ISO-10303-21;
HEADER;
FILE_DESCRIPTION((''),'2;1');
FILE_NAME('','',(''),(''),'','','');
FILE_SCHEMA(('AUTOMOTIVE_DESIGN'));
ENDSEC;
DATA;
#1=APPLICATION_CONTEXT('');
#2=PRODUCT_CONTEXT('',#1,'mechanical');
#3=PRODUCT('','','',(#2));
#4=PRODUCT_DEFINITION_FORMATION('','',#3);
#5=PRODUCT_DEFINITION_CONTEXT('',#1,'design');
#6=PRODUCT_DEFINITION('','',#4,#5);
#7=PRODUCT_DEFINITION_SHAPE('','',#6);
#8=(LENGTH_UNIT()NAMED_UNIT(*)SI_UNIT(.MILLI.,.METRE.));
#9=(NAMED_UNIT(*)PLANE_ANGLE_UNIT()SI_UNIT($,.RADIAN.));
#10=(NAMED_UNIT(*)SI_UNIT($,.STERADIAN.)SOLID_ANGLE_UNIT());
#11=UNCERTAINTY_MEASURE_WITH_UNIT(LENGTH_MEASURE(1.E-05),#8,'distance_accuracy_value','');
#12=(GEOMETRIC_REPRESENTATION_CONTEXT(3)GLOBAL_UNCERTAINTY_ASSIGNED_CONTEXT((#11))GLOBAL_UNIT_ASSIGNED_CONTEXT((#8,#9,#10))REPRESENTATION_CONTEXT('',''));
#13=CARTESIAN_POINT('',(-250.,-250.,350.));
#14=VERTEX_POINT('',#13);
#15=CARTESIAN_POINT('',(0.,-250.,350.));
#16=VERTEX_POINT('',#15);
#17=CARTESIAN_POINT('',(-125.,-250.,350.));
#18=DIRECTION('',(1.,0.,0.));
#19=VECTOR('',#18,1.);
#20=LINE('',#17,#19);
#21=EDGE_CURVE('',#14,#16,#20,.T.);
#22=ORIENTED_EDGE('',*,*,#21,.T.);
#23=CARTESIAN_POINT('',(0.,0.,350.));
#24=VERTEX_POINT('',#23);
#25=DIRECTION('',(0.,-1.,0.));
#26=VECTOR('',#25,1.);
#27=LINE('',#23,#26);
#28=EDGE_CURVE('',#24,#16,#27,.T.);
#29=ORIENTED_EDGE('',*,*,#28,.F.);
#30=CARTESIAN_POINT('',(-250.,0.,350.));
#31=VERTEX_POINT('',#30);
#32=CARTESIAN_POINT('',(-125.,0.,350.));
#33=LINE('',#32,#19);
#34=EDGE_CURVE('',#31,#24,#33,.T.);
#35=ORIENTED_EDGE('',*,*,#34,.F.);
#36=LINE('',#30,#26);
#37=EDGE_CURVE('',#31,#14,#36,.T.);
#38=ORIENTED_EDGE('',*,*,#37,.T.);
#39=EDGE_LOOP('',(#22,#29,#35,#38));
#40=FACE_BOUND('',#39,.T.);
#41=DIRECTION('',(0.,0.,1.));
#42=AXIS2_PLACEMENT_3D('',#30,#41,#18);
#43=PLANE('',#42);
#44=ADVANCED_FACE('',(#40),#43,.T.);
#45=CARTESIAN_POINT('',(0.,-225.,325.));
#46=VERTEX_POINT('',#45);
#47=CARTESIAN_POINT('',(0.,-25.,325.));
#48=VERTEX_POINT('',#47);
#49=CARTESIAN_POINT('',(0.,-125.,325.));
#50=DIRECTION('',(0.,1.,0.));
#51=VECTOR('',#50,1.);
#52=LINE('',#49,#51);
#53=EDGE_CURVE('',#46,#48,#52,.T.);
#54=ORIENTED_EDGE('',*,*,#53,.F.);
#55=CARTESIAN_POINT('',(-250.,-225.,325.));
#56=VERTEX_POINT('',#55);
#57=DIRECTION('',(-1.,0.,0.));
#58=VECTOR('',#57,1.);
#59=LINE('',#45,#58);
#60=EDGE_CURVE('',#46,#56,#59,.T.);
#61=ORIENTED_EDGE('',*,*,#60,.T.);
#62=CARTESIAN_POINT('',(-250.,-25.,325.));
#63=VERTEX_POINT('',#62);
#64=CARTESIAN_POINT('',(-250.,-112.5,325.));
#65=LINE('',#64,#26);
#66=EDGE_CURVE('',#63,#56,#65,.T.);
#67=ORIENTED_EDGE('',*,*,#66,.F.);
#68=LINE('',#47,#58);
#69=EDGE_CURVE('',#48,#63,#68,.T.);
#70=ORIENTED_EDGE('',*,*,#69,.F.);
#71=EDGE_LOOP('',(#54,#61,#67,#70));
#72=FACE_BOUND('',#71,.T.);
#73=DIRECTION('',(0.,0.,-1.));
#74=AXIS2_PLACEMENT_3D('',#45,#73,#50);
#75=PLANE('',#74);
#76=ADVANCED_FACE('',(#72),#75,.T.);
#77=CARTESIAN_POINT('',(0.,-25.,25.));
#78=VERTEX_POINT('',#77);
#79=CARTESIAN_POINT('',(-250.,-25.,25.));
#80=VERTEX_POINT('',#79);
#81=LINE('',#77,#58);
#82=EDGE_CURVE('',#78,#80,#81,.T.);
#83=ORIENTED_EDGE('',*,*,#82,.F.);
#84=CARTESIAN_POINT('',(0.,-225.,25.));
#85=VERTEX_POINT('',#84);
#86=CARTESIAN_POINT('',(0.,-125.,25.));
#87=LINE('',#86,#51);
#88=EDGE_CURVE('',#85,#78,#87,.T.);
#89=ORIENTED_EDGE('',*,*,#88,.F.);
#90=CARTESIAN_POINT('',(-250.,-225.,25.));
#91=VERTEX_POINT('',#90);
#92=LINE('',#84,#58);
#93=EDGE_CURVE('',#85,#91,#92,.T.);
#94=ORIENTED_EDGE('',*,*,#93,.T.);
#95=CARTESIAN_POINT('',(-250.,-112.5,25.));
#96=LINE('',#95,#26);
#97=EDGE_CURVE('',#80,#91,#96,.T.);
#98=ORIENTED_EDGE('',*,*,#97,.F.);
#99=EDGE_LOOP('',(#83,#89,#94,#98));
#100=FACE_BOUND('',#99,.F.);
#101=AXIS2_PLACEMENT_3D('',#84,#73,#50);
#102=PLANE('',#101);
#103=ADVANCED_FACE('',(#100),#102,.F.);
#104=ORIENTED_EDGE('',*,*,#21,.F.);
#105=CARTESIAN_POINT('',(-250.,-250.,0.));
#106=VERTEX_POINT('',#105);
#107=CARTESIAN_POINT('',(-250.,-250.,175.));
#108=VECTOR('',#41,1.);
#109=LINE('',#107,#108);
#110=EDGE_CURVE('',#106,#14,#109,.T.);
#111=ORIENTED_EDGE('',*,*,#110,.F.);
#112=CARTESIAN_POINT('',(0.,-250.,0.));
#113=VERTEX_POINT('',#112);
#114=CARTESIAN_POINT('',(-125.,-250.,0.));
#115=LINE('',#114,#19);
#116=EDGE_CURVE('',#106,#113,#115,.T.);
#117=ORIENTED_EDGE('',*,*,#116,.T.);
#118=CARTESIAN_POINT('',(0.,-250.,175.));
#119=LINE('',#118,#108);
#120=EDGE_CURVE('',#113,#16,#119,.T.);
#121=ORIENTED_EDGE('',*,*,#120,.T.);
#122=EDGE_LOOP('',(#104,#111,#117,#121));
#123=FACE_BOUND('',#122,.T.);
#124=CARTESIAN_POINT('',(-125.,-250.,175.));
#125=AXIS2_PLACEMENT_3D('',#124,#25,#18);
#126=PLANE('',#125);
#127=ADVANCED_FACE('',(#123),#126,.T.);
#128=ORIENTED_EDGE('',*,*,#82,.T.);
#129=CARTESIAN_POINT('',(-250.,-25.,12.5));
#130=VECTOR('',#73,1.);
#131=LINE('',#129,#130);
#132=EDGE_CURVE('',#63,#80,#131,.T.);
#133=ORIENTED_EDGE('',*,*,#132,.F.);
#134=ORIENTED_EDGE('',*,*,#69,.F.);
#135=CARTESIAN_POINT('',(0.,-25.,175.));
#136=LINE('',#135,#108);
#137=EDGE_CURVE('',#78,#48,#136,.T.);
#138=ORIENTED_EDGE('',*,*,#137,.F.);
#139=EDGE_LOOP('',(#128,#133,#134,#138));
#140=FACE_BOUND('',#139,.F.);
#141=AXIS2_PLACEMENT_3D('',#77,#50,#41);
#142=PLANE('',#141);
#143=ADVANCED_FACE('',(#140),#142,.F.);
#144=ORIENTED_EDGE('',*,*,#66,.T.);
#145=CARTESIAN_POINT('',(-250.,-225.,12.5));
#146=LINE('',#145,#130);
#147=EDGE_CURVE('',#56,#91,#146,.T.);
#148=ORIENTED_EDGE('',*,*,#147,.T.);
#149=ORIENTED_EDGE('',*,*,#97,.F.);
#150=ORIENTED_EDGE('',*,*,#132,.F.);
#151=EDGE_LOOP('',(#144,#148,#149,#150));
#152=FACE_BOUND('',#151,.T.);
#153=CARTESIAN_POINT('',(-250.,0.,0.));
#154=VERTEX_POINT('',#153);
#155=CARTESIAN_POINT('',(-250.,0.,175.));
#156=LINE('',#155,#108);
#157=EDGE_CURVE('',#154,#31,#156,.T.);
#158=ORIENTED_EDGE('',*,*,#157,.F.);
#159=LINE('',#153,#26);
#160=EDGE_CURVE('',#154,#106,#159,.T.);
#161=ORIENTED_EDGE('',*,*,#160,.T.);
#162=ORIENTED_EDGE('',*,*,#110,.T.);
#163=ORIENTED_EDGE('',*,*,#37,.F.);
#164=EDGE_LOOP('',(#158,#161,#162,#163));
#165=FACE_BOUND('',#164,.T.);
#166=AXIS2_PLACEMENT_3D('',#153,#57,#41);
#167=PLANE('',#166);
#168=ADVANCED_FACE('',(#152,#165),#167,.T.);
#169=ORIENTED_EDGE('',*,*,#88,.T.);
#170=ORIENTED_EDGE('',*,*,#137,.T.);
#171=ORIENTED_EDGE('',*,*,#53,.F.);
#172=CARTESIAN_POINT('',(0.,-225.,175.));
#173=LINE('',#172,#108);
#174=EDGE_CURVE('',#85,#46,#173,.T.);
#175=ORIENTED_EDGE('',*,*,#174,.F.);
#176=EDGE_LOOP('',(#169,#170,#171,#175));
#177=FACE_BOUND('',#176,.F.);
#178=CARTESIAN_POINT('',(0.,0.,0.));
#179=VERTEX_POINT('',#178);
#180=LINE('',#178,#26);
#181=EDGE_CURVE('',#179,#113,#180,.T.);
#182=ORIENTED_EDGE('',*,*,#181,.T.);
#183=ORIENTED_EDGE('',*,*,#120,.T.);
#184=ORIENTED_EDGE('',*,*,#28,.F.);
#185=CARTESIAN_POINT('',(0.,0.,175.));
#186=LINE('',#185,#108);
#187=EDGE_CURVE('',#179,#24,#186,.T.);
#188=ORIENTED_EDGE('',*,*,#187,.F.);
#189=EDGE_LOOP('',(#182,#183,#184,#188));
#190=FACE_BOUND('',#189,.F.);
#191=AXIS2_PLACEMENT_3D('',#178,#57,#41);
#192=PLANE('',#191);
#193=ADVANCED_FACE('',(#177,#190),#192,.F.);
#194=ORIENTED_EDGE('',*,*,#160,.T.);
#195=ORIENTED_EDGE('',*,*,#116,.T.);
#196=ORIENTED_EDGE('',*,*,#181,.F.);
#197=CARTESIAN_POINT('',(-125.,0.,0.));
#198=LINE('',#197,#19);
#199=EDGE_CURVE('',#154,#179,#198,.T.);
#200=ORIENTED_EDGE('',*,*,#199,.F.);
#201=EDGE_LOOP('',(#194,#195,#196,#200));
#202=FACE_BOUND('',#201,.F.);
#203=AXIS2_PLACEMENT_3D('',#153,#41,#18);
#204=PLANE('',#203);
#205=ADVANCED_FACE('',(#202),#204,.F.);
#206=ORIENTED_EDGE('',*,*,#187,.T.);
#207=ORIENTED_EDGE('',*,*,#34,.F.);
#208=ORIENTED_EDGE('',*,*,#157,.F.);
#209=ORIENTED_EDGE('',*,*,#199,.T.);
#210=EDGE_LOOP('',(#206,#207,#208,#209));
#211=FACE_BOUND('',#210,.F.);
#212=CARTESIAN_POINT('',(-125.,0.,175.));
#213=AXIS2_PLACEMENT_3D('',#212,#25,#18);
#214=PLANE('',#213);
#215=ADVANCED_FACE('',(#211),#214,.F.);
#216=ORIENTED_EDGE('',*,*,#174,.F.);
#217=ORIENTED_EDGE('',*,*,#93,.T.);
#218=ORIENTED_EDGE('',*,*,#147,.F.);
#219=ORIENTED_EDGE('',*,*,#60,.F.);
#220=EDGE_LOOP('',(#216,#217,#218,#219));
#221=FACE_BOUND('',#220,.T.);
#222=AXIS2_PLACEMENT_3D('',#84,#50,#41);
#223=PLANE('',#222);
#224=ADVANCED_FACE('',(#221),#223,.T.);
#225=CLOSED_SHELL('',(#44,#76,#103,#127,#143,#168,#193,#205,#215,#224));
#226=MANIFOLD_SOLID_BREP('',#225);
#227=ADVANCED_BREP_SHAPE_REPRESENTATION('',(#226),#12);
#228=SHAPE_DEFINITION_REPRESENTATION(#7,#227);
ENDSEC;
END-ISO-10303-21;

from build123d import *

# Parameters (mm, degrees)
F0_W     = 250
F0_H     = 350
F1_DEPTH = 250
F2_W     = 200
F2_H     = 300
F3_DEPTH = 250.001


with BuildPart() as f1:
    # F0 (on Front) → F1 (new body)
    with BuildSketch(Plane.XZ):
        with Locations((-125, 175)):
            Rectangle(F0_W, F0_H)
    extrude(amount=F1_DEPTH)

    # F2 (on face) → F3 (cut, through all)
    with BuildSketch(Plane.YZ):
        with Locations((-125, 175)):
            Rectangle(F2_W, F2_H)
    extrude(amount=-F3_DEPTH, mode=Mode.SUBTRACT)


solid = f1.part
